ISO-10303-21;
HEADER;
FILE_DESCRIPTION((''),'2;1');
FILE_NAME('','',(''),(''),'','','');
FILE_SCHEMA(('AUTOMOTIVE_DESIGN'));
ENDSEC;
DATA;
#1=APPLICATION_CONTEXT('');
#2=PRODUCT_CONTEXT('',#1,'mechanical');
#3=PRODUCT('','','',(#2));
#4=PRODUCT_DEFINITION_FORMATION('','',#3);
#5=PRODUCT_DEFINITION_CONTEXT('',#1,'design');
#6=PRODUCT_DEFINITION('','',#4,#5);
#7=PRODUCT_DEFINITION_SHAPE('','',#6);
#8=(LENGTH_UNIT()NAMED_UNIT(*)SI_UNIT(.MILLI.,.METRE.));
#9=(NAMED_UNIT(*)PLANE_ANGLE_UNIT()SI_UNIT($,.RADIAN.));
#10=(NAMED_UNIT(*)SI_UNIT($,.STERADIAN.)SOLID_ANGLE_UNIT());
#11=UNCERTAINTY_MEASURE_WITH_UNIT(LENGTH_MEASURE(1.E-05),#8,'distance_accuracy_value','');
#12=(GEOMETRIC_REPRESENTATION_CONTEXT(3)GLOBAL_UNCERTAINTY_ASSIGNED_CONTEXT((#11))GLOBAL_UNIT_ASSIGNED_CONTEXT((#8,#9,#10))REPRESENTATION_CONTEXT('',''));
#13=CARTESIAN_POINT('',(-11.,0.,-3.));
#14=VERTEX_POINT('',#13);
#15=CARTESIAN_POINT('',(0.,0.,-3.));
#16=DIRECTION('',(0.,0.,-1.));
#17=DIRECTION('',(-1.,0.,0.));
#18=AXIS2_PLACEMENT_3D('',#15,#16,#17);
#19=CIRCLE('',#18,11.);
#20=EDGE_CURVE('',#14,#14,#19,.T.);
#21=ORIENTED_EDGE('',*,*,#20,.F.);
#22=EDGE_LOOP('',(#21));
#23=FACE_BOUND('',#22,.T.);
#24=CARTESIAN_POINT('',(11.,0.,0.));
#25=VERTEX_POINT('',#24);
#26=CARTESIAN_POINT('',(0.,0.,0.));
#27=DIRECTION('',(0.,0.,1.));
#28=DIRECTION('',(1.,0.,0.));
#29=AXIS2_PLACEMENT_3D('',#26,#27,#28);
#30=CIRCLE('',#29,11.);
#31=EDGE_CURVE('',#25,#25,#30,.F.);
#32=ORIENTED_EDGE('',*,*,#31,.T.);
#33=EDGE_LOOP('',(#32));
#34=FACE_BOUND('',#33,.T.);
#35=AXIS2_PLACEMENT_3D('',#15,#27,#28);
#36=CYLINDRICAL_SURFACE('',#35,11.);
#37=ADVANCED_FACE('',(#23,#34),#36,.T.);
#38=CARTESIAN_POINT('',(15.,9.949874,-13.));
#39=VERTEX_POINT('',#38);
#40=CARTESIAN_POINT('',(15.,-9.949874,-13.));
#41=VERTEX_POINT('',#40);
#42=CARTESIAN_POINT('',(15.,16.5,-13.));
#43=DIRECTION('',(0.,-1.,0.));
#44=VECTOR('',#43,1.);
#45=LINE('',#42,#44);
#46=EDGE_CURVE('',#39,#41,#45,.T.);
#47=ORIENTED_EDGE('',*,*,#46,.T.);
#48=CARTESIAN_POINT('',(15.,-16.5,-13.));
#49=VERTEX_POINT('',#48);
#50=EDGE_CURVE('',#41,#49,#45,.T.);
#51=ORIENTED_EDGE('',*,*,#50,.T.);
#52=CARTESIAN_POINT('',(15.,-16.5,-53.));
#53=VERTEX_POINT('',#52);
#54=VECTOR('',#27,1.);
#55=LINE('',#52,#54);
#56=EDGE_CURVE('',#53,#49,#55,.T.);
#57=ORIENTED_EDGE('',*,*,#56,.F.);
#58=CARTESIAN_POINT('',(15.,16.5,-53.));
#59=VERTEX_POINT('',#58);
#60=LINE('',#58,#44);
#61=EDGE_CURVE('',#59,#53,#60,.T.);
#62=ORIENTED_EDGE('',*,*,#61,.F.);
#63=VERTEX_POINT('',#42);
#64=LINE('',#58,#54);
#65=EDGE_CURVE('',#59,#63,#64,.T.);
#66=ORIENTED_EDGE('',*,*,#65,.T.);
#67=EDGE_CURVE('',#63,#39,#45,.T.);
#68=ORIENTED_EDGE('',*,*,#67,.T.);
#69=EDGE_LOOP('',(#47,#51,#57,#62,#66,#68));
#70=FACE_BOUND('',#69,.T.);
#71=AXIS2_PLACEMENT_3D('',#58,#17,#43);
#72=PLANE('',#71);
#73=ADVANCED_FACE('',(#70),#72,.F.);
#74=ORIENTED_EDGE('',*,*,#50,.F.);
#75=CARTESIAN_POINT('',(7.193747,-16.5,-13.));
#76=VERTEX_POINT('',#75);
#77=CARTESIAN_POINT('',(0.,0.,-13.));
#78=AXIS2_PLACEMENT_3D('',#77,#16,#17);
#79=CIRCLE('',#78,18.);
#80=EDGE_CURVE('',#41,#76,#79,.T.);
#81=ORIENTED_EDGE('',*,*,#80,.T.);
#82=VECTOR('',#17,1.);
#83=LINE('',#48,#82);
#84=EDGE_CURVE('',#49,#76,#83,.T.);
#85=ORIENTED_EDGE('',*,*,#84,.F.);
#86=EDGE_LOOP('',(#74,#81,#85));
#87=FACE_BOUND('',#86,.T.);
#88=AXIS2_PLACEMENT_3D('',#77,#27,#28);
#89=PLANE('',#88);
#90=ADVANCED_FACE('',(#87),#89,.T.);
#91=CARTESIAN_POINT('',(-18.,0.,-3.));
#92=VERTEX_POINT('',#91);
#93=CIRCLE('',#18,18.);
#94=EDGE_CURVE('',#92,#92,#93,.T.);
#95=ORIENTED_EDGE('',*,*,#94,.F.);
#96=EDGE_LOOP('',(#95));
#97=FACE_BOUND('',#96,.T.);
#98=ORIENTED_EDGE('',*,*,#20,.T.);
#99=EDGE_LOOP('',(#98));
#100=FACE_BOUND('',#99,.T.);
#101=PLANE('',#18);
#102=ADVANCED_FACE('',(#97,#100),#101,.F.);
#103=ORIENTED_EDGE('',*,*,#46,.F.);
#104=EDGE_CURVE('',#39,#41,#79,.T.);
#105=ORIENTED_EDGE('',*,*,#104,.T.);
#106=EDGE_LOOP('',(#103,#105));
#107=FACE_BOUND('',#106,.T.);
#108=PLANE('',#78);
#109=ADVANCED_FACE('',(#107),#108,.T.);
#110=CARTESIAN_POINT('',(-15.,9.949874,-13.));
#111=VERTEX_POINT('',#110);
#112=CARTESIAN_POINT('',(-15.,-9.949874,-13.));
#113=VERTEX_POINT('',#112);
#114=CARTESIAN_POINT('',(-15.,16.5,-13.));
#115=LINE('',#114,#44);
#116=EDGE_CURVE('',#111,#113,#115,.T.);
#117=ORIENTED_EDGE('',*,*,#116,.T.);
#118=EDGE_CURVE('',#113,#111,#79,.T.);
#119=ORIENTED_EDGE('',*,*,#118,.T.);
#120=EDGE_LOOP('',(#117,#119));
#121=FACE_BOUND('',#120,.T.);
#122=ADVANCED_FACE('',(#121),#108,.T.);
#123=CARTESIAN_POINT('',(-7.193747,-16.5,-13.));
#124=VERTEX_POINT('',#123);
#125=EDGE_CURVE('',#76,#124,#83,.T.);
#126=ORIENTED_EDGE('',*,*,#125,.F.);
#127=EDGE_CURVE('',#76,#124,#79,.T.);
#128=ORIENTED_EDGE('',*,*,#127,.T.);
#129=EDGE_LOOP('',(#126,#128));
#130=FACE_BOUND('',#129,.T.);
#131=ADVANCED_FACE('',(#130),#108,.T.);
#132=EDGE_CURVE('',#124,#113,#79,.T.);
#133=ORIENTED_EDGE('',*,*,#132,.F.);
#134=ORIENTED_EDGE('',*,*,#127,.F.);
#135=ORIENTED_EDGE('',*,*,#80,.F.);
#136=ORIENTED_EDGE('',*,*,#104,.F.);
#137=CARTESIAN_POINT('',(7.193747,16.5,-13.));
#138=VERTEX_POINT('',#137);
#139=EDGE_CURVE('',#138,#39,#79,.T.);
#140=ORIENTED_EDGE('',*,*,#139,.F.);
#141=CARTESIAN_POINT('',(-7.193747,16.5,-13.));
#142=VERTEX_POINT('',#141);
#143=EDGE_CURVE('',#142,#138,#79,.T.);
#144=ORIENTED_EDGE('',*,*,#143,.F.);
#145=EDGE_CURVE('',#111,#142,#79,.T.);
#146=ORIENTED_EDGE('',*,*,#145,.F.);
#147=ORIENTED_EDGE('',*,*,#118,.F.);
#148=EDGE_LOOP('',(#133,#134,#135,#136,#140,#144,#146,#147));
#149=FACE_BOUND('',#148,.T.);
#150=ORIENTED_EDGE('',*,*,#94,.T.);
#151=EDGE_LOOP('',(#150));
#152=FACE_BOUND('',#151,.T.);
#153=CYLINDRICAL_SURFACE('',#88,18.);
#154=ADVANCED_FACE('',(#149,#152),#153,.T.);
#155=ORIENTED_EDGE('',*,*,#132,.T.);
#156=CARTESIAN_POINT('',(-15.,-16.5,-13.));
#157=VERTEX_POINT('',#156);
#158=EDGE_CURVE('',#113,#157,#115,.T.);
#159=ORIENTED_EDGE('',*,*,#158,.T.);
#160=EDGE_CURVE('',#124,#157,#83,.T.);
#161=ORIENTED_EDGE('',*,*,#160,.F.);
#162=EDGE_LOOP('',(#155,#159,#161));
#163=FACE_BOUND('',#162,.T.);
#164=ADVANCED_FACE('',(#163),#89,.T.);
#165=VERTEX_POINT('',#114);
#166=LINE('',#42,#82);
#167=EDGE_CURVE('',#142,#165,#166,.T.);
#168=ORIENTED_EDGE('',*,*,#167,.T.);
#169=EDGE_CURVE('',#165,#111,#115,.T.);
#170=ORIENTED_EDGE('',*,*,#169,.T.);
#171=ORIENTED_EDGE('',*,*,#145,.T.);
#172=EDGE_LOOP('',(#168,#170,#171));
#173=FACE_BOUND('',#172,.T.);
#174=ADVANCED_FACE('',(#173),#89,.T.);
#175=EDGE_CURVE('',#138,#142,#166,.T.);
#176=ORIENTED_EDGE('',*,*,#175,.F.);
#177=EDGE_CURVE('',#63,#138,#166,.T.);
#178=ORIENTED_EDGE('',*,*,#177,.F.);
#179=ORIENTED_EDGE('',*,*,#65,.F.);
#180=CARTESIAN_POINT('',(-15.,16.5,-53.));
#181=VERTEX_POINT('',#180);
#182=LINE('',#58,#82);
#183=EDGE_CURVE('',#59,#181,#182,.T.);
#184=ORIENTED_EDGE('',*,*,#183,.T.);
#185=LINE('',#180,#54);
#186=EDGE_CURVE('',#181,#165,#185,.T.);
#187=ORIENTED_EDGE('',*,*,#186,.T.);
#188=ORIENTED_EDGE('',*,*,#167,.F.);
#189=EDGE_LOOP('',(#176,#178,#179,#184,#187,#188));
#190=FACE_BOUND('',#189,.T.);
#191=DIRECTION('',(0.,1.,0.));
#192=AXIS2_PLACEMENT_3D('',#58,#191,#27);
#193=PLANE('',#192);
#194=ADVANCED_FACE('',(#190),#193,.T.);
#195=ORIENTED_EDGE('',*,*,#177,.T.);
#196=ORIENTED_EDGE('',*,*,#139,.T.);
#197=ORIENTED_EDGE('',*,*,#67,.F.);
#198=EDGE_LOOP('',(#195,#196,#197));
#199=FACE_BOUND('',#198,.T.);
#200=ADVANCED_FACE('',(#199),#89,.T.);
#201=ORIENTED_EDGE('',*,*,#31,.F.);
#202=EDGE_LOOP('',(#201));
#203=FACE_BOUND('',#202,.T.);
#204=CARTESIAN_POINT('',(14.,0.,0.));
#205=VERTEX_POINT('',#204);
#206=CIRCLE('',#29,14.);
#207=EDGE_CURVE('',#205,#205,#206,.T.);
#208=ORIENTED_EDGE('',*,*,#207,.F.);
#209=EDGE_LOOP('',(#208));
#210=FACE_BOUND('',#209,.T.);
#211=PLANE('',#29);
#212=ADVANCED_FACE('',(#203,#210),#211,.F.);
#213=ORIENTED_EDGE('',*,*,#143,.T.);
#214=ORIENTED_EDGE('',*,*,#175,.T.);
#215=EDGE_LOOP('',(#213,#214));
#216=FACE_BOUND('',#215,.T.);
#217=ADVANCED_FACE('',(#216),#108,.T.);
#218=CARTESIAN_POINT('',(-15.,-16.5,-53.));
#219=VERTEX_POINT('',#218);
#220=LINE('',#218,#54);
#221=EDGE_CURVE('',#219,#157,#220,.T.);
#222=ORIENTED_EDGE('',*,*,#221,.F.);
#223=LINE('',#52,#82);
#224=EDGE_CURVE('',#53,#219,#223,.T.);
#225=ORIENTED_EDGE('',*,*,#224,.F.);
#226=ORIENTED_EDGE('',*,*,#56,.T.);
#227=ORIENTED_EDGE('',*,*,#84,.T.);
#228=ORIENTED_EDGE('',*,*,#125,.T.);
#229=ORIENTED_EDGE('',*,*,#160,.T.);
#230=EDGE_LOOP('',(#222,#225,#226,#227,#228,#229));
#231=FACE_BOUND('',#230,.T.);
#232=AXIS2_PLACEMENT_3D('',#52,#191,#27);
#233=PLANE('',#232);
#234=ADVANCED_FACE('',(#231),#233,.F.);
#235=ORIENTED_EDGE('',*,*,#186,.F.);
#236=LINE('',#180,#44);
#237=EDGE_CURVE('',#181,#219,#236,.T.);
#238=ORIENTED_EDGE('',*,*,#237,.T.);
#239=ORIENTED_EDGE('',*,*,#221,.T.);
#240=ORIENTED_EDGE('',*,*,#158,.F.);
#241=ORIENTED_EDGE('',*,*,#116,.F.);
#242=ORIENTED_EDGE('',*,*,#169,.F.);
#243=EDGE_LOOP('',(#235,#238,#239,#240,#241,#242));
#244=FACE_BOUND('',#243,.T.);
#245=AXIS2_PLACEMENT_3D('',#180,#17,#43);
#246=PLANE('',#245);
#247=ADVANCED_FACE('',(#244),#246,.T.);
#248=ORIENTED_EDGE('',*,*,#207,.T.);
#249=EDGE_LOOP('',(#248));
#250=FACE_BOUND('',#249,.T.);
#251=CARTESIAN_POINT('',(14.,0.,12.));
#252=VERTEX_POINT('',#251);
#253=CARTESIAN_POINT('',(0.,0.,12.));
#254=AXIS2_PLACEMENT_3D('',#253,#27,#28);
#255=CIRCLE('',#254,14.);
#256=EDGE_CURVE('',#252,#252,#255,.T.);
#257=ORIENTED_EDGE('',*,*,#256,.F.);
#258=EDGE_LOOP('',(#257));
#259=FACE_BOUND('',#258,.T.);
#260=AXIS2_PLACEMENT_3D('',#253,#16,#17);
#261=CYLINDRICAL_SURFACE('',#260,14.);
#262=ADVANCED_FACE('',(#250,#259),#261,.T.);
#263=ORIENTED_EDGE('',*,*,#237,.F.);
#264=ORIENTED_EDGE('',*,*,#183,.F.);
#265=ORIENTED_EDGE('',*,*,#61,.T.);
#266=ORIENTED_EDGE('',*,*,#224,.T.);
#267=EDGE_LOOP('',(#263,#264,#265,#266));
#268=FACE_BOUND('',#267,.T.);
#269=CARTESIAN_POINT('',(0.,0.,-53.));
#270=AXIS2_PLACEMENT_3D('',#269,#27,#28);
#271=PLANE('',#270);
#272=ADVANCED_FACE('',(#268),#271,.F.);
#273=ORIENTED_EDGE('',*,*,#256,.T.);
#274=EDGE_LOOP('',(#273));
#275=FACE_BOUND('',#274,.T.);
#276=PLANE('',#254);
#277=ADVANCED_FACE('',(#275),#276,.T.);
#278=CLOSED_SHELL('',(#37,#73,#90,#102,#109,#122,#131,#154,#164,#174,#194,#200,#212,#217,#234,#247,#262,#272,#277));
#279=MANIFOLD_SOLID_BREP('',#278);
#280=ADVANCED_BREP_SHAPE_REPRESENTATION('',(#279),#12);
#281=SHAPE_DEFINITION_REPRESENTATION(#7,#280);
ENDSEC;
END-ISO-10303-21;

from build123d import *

# Parameters (mm, degrees)
SKETCH_1_R      = 14
EXTRUDE_1_DEPTH = 12
SKETCH_2_R      = 11
EXTRUDE_2_DEPTH = 3
SKETCH_3_R      = 18
EXTRUDE_3_DEPTH = 10
SKETCH_4_W      = 30
SKETCH_4_H      = 33
EXTRUDE_4_DEPTH = 40


with BuildPart() as part:
    # 草图1 → 凸台-拉伸1 (new body)
    with BuildSketch(Plane.XY):
        Circle(SKETCH_1_R)
    extrude(amount=EXTRUDE_1_DEPTH)

    # 草图2 → 凸台-拉伸2 (add)
    with BuildSketch(Plane(origin=(0, 0, 0), x_dir=(-1, 0, 0), z_dir=(0, 0, -1))):
        Circle(SKETCH_2_R)
    extrude(amount=EXTRUDE_2_DEPTH)

    # 草图3 → 凸台-拉伸3 (add)
    with BuildSketch(Plane(origin=(0, 0, -3), x_dir=(-1, 0, 0), z_dir=(0, 0, -1))):
        Circle(SKETCH_3_R)
    extrude(amount=EXTRUDE_3_DEPTH)

    # 草图4 → 凸台-拉伸4 (add)
    with BuildSketch(Plane(origin=(0, 0, -13), x_dir=(-1, 0, 0), z_dir=(0, 0, -1))):
        Rectangle(SKETCH_4_W, SKETCH_4_H)
    extrude(amount=EXTRUDE_4_DEPTH)


solid = part.part
